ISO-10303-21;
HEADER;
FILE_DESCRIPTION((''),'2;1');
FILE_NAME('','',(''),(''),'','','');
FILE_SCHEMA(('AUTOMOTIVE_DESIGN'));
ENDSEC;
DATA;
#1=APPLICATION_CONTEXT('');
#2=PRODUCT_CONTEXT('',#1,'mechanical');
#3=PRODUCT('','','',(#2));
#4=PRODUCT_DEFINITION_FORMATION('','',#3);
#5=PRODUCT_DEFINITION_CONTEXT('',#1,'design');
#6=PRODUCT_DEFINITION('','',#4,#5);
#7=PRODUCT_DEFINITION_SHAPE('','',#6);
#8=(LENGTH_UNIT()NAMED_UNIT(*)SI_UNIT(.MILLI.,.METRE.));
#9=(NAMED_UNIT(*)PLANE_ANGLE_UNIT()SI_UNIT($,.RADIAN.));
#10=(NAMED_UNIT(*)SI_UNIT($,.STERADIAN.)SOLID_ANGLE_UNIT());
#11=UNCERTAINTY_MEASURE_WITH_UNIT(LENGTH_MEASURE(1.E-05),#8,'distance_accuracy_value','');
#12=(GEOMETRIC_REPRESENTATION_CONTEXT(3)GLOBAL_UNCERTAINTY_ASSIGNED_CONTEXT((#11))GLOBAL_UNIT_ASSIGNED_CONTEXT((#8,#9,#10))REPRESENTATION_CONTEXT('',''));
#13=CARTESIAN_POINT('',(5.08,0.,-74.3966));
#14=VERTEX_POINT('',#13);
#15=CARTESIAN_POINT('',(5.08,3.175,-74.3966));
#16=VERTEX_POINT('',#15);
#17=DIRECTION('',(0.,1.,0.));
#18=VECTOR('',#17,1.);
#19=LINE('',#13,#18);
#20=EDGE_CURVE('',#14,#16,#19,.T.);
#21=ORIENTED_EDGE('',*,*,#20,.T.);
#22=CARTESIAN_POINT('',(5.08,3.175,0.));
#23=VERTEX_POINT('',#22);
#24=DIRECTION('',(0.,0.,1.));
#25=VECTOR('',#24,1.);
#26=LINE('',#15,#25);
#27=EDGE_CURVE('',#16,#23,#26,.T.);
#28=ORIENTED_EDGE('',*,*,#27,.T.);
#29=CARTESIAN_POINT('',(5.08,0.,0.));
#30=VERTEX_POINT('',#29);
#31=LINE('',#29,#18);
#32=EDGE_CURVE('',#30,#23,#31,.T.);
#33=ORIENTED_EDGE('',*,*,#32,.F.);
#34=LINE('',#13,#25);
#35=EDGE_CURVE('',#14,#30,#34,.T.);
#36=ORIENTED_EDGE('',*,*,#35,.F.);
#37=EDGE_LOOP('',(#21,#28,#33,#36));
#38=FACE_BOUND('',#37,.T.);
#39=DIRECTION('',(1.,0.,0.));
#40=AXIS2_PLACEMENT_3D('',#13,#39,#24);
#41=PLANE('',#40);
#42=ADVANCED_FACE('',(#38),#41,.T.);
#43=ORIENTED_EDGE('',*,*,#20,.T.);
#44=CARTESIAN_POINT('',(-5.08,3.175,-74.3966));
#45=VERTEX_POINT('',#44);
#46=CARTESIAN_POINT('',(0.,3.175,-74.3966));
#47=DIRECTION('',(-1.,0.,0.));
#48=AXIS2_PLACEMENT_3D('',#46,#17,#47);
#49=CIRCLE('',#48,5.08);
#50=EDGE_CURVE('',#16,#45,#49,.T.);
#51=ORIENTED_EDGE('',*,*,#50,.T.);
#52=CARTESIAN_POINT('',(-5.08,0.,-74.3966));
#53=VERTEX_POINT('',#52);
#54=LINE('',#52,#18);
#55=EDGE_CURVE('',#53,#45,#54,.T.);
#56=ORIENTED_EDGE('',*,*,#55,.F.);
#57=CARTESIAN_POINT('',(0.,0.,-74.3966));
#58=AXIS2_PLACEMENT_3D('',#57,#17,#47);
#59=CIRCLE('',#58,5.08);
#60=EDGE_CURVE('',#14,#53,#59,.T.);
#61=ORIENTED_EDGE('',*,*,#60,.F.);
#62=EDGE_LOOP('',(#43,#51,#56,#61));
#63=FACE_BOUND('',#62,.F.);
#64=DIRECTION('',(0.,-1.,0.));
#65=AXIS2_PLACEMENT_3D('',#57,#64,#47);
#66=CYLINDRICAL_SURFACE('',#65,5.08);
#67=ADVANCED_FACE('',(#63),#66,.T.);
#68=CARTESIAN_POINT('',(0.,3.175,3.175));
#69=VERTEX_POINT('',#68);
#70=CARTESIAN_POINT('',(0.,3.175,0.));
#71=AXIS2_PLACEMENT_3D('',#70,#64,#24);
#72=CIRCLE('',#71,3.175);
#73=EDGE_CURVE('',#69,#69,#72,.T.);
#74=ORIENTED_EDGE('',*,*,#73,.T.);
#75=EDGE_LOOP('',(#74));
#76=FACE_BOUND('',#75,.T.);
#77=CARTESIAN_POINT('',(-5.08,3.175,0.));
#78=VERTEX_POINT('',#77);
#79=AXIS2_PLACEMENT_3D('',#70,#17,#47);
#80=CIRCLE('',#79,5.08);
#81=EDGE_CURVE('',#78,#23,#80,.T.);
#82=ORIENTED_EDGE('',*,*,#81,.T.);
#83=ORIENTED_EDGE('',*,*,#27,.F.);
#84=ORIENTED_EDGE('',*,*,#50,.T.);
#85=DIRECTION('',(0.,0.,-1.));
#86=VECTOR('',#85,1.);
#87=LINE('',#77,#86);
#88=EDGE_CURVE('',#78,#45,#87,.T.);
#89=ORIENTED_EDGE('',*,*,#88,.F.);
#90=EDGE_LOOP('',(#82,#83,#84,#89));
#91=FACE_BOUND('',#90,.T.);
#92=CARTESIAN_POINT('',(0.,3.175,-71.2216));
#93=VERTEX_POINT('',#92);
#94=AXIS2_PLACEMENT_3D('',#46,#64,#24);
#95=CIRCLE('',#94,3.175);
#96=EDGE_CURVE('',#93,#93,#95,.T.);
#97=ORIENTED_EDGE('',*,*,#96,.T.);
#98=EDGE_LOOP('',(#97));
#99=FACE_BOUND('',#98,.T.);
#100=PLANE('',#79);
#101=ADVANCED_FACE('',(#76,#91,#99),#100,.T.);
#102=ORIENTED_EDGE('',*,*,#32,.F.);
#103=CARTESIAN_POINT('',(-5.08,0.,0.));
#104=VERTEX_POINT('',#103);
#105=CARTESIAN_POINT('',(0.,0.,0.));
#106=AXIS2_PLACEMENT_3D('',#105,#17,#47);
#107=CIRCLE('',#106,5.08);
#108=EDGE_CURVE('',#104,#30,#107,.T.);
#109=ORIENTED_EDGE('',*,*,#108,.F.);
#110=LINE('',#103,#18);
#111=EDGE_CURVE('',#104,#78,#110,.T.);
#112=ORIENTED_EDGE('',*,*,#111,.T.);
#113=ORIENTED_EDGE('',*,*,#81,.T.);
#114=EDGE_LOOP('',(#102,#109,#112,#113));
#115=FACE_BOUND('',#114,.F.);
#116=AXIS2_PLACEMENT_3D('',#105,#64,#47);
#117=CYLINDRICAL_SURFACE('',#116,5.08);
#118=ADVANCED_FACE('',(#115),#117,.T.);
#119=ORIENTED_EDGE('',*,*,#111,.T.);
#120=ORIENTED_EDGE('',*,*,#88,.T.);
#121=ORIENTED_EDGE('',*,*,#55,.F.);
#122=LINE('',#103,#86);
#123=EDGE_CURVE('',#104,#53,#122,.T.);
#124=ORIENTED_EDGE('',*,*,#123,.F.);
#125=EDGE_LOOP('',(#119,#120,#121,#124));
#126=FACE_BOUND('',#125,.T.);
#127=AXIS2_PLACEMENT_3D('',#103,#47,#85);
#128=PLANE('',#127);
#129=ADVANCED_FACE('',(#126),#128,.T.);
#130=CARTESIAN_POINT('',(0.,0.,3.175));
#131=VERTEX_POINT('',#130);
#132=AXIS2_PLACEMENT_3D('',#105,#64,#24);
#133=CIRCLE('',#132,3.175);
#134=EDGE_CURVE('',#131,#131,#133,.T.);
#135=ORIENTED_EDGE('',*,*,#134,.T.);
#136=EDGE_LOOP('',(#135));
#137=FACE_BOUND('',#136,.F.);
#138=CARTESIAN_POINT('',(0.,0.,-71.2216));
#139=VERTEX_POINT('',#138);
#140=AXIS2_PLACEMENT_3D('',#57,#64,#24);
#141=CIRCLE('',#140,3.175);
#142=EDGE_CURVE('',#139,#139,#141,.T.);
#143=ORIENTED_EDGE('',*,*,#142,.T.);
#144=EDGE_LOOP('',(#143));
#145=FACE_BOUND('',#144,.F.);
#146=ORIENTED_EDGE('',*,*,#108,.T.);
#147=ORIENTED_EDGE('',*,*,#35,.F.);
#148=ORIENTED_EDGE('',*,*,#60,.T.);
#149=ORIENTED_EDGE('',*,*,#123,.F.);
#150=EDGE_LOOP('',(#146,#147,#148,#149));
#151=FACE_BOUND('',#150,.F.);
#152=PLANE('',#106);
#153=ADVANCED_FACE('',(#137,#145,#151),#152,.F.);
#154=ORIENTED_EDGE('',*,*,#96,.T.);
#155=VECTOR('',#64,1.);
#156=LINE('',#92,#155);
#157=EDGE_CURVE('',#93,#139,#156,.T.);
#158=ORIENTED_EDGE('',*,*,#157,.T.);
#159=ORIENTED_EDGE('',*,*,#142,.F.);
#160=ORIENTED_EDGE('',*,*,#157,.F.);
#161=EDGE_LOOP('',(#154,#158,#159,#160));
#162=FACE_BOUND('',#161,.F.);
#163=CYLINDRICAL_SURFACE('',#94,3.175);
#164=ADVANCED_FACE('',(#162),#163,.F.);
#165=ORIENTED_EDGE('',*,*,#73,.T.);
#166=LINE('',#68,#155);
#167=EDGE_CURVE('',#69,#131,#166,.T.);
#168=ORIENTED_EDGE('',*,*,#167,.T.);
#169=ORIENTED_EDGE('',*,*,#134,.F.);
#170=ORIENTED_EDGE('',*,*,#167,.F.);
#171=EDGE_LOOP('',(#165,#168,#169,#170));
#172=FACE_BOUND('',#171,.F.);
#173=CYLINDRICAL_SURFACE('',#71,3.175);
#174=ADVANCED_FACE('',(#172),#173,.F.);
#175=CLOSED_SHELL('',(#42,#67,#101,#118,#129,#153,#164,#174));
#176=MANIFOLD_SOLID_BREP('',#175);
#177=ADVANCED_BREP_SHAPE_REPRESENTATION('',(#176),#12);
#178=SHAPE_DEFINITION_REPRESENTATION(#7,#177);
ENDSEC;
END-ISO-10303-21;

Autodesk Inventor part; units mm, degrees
ref_plane "YZ Plane" through (0, 0, 0) normal (1, 0, 0) x (0, 1, 0)
ref_plane "XZ Plane" through (0, 0, 0) normal (0, 1, 0) x (-1, 0, 0)
ref_plane "XY Plane" through (0, 0, 0) normal (0, 0, 1) x (1, 0, 0)
sketch "Sketch1" plane through (0, 0, 0) normal (0, 1, 0) x (-1, 0, 0)
  line L0 (0, 0) -> (0, -74.3966) construction
  circle A0 centre (0, 0) radius 5.08
  circle A1 centre (0, -74.3966) radius 5.08
  line L1 (5.08, 0) -> (5.08, -74.3966)
  line L2 (-5.08, -74.3966) -> (-5.08, 0)
  dimension "d0" = 74.3966
  dimension "d1" = 10.16
  dimension "d2" = 10.16
extrude "Extrusion1" add sketch "Sketch1" along normal blind 3.175
sketch "Sketch2" plane through (0, 3.175, 0) normal (0, 1, 0) x (1, 0, 0)
  arc A0 (5.08, 74.3966) -> (-5.08, 74.3966) centre (0, 74.3966) ccw projected
  point P0 (0, 0)
  point P1 (0, 0)
hole "Hole1" at (0, 3.175, 0) at (0, 3.175, -74.3966) direction (0, -1, 0) diameter 6.35 depth 25.4 tip angle 118
properties part number "linkage"
